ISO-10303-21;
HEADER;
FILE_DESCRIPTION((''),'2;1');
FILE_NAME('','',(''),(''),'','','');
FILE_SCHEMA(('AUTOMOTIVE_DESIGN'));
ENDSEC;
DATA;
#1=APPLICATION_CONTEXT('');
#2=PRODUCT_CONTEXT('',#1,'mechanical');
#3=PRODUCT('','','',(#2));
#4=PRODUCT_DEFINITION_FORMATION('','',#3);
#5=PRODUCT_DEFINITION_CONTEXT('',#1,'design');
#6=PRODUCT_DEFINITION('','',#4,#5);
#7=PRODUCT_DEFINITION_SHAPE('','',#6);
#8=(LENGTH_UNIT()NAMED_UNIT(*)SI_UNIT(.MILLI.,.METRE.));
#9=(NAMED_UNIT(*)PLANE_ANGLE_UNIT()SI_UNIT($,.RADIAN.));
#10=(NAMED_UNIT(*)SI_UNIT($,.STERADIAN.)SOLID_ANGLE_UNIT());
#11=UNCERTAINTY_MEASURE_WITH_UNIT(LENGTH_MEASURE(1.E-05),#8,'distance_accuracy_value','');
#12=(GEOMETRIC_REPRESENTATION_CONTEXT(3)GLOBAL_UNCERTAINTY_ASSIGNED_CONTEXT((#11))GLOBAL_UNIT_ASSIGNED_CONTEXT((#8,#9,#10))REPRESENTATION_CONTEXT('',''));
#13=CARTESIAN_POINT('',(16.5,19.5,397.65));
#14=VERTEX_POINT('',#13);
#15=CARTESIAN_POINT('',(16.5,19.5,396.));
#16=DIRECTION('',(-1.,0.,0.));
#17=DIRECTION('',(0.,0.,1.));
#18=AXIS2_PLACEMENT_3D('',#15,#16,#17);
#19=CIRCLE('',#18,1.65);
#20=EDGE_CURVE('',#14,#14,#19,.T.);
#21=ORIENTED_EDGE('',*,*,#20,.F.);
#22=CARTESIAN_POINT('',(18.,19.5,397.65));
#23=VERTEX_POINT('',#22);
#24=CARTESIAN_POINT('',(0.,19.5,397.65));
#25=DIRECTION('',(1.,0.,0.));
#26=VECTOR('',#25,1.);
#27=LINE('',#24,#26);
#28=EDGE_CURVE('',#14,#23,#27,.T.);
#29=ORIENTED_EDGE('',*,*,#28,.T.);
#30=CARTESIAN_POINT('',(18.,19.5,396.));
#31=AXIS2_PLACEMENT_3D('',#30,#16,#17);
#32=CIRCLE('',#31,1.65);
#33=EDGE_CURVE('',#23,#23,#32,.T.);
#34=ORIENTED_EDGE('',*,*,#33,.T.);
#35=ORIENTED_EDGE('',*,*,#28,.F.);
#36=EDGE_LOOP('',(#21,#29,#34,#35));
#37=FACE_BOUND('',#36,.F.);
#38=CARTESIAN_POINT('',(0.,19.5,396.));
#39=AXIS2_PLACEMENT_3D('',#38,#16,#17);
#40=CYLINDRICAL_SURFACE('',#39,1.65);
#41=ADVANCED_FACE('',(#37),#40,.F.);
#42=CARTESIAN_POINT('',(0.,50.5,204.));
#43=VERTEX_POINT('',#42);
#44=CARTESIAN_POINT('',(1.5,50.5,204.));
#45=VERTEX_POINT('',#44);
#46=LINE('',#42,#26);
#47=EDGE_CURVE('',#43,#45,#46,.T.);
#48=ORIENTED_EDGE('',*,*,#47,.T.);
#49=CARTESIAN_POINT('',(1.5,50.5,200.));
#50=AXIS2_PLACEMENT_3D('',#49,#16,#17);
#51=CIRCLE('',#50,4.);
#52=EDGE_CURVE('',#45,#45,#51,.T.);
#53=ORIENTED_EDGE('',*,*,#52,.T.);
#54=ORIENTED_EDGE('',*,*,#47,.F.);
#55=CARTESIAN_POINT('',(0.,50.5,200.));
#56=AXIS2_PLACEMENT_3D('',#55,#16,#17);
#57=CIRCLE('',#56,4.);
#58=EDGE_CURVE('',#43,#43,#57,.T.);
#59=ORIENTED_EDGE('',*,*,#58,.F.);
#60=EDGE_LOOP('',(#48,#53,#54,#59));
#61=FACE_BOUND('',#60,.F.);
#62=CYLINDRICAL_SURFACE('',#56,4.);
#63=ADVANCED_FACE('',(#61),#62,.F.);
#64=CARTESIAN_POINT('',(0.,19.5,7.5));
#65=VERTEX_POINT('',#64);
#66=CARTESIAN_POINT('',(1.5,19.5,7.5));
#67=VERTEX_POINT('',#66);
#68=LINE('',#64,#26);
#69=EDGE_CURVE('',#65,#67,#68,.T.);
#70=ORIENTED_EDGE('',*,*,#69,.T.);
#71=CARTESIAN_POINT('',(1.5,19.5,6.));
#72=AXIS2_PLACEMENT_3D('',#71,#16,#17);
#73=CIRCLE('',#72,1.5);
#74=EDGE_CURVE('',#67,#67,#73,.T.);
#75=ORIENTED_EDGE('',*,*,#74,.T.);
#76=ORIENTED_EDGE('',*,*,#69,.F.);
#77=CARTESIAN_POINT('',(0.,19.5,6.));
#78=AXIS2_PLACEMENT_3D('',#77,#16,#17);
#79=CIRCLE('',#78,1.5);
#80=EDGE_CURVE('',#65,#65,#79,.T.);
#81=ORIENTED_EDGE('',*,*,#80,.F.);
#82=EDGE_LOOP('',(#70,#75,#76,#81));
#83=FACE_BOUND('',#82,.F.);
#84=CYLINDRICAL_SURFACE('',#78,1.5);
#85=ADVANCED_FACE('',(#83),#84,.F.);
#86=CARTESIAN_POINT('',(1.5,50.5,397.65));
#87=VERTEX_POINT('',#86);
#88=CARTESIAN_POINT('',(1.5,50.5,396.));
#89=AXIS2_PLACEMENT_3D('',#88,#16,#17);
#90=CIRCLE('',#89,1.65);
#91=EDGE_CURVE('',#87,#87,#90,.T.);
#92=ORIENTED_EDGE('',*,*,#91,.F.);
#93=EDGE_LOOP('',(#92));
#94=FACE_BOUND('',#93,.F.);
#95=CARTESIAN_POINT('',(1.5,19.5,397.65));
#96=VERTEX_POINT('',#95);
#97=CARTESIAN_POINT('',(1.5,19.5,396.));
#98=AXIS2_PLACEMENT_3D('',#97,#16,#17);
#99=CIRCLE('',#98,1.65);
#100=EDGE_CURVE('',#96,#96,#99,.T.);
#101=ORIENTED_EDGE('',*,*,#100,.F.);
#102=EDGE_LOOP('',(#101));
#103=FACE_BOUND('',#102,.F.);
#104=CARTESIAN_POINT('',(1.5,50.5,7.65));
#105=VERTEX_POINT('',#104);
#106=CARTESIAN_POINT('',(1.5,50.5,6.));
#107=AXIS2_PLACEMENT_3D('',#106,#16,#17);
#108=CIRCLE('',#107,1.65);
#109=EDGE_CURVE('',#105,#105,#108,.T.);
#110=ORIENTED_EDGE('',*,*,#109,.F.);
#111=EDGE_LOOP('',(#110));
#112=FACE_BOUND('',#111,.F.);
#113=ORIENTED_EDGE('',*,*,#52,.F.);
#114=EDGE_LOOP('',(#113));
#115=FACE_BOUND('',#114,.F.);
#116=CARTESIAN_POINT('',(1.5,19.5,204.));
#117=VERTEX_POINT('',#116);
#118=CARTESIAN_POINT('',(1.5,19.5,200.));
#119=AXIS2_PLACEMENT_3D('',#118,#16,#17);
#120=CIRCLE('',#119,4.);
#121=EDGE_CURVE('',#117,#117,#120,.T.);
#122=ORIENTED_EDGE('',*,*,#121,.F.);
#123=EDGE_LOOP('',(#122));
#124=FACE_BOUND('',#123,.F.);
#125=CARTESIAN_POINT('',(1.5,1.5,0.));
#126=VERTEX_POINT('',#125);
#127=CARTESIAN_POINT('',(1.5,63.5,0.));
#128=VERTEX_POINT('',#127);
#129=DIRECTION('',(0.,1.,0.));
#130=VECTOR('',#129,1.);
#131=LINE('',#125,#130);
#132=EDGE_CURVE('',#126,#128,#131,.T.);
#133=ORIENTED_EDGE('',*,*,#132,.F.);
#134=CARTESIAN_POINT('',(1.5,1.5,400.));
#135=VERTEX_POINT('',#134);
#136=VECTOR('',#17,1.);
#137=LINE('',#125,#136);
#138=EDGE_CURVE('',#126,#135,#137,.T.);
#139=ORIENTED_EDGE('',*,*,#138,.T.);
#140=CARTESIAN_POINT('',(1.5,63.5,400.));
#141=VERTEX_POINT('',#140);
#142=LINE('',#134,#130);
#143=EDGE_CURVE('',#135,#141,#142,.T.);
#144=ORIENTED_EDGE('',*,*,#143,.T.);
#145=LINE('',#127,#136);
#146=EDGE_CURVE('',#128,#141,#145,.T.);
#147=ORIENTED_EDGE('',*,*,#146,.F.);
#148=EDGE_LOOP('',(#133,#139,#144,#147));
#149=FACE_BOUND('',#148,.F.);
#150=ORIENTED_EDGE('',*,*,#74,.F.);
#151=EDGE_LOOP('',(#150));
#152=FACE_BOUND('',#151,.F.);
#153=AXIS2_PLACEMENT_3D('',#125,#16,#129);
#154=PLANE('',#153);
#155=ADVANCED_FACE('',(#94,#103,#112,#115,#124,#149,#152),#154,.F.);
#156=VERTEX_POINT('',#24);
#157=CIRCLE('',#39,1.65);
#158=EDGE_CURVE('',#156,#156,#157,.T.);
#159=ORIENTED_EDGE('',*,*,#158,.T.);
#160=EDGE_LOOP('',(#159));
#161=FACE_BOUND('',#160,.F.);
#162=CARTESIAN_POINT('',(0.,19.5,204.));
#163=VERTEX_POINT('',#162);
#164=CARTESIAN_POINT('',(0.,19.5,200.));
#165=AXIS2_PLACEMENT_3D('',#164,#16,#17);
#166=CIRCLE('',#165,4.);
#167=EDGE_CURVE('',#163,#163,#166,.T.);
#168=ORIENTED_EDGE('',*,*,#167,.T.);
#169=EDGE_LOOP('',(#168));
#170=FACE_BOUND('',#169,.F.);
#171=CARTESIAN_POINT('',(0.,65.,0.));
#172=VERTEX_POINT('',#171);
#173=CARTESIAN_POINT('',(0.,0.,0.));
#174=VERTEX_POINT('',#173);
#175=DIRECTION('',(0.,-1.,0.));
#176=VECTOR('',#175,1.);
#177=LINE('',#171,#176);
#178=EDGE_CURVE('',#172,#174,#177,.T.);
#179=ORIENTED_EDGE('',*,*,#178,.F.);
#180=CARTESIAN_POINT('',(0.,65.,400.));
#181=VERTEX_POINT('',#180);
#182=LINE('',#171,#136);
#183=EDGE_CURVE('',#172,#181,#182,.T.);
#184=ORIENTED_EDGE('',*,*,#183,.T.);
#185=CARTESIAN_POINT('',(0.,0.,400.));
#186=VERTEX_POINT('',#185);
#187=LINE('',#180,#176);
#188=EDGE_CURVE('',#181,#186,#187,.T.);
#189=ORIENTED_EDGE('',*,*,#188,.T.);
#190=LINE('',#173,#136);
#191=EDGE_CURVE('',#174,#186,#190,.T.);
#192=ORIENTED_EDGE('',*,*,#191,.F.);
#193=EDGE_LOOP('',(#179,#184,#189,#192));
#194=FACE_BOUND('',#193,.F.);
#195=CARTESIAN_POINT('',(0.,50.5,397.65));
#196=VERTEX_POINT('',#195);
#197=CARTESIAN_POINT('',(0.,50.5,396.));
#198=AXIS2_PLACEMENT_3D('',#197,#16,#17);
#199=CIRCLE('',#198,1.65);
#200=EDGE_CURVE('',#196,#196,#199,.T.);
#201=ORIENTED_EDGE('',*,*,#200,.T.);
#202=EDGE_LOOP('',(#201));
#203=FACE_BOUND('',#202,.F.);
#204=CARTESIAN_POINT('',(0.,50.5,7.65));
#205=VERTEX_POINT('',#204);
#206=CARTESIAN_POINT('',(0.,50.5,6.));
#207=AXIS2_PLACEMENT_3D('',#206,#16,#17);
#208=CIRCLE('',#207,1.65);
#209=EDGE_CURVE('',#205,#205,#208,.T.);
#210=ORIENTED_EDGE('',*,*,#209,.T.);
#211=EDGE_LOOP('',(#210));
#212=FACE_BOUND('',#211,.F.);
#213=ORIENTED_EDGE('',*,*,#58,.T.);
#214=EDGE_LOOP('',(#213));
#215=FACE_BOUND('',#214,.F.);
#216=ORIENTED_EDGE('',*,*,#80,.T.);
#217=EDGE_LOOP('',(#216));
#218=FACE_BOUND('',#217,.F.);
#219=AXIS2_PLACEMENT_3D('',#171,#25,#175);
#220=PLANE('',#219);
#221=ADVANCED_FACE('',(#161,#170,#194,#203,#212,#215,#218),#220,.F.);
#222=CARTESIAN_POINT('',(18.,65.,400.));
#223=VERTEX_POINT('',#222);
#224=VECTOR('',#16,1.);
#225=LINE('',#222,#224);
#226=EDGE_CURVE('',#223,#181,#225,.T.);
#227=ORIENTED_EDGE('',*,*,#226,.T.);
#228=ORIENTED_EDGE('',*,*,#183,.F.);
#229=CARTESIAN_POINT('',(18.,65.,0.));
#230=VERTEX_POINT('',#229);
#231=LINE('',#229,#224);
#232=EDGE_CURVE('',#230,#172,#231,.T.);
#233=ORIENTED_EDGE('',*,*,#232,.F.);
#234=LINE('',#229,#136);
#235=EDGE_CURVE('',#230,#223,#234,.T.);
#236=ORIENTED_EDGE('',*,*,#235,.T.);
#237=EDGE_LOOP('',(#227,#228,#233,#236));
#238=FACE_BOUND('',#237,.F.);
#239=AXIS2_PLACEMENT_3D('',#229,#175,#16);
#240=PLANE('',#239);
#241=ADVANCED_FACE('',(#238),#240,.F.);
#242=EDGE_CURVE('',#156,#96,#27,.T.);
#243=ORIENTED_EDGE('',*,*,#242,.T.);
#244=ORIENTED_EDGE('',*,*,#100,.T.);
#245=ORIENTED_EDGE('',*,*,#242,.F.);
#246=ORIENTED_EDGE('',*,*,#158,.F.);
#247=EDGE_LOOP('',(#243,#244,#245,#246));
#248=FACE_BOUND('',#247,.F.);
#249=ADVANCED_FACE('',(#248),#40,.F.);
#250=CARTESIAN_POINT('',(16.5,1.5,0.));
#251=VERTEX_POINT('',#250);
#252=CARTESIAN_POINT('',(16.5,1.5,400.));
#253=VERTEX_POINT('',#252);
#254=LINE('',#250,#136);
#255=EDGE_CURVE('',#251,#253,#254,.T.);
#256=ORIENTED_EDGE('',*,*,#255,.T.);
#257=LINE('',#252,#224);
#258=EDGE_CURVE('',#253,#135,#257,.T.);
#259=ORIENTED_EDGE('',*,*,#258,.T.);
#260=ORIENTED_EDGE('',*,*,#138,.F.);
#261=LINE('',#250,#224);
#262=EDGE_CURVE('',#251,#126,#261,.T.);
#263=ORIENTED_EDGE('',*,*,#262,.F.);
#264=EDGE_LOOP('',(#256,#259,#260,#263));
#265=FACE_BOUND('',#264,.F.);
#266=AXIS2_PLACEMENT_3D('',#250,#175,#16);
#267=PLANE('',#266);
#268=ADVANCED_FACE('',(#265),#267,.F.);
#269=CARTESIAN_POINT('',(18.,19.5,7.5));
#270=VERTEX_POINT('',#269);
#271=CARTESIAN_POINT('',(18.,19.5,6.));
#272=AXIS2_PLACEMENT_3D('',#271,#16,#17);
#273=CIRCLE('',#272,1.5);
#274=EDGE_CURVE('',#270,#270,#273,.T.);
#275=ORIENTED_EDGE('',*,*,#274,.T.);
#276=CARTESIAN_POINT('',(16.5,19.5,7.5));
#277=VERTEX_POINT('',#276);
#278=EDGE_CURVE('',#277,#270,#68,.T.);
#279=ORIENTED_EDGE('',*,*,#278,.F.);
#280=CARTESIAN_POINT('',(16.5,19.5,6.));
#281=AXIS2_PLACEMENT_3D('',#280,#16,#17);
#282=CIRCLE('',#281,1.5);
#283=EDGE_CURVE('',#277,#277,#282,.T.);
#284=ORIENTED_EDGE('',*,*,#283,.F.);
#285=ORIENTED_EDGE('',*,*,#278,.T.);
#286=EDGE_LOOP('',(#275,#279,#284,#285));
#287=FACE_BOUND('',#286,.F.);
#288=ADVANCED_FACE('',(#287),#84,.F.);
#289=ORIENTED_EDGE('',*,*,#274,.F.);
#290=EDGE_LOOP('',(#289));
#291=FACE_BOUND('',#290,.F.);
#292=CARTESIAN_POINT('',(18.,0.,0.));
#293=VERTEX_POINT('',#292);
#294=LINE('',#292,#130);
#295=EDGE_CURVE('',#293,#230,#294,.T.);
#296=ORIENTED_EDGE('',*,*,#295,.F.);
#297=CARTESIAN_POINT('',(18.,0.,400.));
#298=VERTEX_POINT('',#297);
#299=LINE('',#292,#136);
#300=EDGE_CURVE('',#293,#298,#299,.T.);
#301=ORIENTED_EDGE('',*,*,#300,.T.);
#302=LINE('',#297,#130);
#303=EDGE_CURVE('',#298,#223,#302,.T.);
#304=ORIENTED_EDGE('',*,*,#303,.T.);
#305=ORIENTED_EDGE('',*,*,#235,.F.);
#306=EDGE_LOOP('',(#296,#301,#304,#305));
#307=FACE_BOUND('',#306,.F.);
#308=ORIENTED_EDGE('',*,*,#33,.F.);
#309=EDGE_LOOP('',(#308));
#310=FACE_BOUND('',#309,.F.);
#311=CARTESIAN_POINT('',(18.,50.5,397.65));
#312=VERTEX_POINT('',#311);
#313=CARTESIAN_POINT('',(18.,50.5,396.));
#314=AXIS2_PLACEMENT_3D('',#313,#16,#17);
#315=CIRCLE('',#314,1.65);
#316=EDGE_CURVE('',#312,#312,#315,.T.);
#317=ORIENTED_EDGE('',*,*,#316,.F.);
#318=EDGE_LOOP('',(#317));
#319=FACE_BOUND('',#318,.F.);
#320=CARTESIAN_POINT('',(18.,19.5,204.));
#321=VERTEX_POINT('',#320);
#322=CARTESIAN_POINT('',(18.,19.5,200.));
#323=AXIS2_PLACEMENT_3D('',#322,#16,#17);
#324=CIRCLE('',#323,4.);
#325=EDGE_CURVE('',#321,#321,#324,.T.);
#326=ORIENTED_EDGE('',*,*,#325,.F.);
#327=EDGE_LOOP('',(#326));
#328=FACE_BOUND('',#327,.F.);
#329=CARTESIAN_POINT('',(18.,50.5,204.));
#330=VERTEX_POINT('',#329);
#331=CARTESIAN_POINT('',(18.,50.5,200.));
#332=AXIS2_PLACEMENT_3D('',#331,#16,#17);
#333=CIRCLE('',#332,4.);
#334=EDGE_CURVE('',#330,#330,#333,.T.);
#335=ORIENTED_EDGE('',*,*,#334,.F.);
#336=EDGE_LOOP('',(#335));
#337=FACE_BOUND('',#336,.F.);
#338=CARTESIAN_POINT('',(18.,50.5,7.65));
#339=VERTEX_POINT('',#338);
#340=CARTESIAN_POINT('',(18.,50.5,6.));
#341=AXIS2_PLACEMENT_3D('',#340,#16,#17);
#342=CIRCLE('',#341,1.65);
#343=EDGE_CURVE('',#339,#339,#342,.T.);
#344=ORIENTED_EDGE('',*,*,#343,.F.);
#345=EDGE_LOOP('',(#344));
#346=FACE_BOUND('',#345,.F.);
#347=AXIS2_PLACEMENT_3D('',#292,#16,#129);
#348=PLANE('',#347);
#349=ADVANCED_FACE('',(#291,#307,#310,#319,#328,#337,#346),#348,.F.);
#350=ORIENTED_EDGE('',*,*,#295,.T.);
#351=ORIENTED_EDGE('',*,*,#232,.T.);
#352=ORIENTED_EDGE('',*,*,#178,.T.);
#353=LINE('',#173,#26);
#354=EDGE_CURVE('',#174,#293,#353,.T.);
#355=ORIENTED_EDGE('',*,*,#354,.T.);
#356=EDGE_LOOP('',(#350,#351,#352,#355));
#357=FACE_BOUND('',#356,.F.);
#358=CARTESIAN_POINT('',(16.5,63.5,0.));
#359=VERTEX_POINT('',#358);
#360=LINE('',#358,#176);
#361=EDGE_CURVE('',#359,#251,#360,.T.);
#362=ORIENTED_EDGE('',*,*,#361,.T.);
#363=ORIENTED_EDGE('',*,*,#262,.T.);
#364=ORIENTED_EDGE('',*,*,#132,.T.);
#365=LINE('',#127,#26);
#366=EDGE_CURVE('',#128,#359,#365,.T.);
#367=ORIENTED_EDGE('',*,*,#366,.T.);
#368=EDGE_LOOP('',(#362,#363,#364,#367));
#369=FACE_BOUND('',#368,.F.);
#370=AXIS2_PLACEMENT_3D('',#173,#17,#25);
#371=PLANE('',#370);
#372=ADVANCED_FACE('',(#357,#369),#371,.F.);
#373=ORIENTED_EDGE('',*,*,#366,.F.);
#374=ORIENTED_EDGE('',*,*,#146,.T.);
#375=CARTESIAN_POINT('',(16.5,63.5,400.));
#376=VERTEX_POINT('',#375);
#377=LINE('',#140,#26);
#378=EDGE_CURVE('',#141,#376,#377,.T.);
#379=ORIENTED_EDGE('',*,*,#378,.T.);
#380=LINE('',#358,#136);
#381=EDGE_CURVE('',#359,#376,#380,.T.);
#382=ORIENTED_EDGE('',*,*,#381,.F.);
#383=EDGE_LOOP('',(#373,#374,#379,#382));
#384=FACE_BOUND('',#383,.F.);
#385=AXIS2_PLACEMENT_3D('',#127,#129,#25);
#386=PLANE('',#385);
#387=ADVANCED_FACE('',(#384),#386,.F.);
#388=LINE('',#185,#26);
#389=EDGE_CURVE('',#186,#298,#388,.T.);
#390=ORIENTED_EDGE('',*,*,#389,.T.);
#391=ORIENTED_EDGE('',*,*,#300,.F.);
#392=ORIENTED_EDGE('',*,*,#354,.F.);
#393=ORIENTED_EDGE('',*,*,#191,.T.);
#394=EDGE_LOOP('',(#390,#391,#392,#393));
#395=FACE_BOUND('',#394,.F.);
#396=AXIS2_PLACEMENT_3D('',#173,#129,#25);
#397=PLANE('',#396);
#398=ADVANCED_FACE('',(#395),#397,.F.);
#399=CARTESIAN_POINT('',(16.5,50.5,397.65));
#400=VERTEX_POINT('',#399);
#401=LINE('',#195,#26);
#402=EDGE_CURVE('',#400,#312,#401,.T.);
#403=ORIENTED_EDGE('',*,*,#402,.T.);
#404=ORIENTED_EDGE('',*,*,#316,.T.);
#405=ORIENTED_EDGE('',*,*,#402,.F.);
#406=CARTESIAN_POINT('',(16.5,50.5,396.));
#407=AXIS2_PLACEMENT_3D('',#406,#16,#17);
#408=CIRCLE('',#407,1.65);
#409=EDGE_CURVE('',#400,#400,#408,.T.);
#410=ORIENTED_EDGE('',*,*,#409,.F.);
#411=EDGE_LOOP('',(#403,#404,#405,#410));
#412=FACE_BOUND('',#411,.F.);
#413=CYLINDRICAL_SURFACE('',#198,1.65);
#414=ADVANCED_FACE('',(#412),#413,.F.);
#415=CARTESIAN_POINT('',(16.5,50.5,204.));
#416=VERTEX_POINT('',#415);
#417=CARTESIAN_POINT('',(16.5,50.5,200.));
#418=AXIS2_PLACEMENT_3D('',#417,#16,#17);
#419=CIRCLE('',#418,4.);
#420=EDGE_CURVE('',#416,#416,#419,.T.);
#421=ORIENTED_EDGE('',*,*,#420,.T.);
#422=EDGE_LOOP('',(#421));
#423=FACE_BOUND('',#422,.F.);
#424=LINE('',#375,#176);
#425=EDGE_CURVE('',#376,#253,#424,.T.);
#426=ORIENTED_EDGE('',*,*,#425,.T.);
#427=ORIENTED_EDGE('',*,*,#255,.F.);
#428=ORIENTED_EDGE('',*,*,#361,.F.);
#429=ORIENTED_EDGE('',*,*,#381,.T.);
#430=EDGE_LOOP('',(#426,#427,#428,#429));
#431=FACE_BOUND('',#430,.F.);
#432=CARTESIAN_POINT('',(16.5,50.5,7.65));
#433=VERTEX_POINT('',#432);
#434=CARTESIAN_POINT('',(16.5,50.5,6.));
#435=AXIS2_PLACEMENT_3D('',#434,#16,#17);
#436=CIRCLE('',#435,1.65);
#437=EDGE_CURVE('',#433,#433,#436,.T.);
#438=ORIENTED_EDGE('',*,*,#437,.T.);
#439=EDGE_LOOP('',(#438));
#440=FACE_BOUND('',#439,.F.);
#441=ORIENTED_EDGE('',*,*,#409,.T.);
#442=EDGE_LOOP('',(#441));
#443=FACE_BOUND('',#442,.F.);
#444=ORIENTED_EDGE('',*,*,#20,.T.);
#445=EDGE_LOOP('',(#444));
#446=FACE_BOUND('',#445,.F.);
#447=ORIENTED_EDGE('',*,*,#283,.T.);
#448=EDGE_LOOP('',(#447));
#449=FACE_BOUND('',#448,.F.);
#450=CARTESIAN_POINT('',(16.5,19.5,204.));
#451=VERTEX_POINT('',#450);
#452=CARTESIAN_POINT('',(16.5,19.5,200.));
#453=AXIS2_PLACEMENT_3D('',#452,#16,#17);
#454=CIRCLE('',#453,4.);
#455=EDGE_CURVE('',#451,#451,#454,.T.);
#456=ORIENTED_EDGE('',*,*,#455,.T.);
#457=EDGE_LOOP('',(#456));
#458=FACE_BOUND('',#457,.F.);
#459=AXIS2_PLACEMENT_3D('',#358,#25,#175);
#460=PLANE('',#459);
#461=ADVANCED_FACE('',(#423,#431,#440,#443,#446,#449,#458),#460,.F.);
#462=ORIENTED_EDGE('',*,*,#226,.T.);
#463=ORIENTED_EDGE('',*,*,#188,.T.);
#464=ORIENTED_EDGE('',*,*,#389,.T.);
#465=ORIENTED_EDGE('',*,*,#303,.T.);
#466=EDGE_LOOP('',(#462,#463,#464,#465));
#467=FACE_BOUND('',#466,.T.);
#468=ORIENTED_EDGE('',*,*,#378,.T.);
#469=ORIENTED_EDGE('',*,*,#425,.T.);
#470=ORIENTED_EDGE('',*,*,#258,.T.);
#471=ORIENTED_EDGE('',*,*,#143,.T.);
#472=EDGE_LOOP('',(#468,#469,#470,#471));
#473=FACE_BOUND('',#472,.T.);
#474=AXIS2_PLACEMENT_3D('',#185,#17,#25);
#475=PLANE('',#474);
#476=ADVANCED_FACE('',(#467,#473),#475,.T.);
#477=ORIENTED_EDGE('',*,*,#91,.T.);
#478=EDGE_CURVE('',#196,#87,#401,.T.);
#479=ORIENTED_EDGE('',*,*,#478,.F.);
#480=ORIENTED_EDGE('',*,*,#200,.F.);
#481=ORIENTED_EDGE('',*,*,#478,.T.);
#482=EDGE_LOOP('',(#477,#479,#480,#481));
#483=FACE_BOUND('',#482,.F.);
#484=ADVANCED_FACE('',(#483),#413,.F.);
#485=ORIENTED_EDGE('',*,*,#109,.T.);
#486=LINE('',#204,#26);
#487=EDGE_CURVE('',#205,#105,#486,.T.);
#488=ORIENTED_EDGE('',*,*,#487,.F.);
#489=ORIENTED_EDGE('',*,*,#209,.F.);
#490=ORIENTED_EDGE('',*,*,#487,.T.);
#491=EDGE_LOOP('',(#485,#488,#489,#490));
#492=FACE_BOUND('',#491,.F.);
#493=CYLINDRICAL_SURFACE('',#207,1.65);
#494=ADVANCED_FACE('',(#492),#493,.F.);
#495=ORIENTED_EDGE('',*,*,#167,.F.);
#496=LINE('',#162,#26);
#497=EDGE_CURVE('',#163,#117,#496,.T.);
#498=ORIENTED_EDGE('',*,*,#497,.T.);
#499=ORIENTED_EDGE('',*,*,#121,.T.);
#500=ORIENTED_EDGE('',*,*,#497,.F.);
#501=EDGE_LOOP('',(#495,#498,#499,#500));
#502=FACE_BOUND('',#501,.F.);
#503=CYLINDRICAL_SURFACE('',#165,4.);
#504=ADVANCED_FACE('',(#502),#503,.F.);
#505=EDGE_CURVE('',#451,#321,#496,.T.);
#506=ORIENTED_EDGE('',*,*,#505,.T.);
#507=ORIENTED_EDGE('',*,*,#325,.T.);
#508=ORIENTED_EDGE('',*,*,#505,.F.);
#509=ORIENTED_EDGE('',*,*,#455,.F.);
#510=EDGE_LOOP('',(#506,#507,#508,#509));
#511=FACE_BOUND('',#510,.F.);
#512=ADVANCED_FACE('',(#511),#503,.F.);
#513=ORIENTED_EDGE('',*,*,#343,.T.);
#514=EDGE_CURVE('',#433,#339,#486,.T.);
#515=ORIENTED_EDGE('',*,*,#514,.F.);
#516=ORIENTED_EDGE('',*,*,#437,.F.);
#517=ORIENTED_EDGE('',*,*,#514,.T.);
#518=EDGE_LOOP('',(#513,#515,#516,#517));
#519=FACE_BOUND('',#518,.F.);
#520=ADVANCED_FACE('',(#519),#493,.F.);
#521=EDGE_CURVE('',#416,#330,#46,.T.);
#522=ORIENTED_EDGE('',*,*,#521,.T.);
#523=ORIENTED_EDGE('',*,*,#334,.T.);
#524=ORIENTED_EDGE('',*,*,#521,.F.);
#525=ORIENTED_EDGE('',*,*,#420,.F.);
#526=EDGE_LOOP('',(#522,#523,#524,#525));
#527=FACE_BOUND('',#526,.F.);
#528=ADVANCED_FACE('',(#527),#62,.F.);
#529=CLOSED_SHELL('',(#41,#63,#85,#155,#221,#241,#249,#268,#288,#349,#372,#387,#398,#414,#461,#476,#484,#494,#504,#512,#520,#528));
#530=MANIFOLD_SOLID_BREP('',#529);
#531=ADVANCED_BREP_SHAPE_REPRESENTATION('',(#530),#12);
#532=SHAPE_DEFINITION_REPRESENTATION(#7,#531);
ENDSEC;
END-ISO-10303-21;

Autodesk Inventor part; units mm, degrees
ref_plane "YZ Plane" through (0, 0, 0) normal (1, 0, 0) x (0, 1, 0)
ref_plane "XZ Plane" through (0, 0, 0) normal (0, 1, 0) x (-1, 0, 0)
ref_plane "XY Plane" through (0, 0, 0) normal (0, 0, 1) x (1, 0, 0)
sketch "Sketch1" plane through (0, 0, 0) normal (0, 0, 1) x (1, 0, 0)
  line L0 (0, 0) -> (18, 0)
  line L1 (18, 0) -> (18, 65)
  line L2 (18, 65) -> (0, 65)
  line L3 (0, 65) -> (0, 0)
  line L4 (1.5, 63.5) -> (16.5, 63.5)
  line L5 (16.5, 63.5) -> (16.5, 1.5)
  line L6 (16.5, 1.5) -> (1.5, 1.5)
  line L7 (1.5, 1.5) -> (1.5, 63.5)
  dimension "d0" = 18
  dimension "d1" = 65
  dimension "d2" = 1.5
extrude "Extrusion1" add sketch "Sketch1" along normal blind 400
sketch "Sketch2" plane through (0, 0, 0) normal (-1, 0, 0) x (0, 0, 1)
  line L0 (0, 65) -> (400, 65) projected
  circle A0 centre (6, 50.5) radius 1.65 projected
  circle A1 centre (6, 19.5) radius 1.5 projected
  circle A2 centre (396, 19.5) radius 1.65 projected
  circle A3 centre (396, 50.5) radius 1.65 projected
  circle A4 centre (200, 50.5) radius 4
  circle A5 centre (200, 19.5) radius 4
  point P0 (200, 65)
  dimension "d5" = 8
  dimension "d7" = 8
extrude "Extrusion2" cut sketch "Sketch2" against normal blind 20
equation "\"d7\" = d5"
properties part number "X Rail square"
